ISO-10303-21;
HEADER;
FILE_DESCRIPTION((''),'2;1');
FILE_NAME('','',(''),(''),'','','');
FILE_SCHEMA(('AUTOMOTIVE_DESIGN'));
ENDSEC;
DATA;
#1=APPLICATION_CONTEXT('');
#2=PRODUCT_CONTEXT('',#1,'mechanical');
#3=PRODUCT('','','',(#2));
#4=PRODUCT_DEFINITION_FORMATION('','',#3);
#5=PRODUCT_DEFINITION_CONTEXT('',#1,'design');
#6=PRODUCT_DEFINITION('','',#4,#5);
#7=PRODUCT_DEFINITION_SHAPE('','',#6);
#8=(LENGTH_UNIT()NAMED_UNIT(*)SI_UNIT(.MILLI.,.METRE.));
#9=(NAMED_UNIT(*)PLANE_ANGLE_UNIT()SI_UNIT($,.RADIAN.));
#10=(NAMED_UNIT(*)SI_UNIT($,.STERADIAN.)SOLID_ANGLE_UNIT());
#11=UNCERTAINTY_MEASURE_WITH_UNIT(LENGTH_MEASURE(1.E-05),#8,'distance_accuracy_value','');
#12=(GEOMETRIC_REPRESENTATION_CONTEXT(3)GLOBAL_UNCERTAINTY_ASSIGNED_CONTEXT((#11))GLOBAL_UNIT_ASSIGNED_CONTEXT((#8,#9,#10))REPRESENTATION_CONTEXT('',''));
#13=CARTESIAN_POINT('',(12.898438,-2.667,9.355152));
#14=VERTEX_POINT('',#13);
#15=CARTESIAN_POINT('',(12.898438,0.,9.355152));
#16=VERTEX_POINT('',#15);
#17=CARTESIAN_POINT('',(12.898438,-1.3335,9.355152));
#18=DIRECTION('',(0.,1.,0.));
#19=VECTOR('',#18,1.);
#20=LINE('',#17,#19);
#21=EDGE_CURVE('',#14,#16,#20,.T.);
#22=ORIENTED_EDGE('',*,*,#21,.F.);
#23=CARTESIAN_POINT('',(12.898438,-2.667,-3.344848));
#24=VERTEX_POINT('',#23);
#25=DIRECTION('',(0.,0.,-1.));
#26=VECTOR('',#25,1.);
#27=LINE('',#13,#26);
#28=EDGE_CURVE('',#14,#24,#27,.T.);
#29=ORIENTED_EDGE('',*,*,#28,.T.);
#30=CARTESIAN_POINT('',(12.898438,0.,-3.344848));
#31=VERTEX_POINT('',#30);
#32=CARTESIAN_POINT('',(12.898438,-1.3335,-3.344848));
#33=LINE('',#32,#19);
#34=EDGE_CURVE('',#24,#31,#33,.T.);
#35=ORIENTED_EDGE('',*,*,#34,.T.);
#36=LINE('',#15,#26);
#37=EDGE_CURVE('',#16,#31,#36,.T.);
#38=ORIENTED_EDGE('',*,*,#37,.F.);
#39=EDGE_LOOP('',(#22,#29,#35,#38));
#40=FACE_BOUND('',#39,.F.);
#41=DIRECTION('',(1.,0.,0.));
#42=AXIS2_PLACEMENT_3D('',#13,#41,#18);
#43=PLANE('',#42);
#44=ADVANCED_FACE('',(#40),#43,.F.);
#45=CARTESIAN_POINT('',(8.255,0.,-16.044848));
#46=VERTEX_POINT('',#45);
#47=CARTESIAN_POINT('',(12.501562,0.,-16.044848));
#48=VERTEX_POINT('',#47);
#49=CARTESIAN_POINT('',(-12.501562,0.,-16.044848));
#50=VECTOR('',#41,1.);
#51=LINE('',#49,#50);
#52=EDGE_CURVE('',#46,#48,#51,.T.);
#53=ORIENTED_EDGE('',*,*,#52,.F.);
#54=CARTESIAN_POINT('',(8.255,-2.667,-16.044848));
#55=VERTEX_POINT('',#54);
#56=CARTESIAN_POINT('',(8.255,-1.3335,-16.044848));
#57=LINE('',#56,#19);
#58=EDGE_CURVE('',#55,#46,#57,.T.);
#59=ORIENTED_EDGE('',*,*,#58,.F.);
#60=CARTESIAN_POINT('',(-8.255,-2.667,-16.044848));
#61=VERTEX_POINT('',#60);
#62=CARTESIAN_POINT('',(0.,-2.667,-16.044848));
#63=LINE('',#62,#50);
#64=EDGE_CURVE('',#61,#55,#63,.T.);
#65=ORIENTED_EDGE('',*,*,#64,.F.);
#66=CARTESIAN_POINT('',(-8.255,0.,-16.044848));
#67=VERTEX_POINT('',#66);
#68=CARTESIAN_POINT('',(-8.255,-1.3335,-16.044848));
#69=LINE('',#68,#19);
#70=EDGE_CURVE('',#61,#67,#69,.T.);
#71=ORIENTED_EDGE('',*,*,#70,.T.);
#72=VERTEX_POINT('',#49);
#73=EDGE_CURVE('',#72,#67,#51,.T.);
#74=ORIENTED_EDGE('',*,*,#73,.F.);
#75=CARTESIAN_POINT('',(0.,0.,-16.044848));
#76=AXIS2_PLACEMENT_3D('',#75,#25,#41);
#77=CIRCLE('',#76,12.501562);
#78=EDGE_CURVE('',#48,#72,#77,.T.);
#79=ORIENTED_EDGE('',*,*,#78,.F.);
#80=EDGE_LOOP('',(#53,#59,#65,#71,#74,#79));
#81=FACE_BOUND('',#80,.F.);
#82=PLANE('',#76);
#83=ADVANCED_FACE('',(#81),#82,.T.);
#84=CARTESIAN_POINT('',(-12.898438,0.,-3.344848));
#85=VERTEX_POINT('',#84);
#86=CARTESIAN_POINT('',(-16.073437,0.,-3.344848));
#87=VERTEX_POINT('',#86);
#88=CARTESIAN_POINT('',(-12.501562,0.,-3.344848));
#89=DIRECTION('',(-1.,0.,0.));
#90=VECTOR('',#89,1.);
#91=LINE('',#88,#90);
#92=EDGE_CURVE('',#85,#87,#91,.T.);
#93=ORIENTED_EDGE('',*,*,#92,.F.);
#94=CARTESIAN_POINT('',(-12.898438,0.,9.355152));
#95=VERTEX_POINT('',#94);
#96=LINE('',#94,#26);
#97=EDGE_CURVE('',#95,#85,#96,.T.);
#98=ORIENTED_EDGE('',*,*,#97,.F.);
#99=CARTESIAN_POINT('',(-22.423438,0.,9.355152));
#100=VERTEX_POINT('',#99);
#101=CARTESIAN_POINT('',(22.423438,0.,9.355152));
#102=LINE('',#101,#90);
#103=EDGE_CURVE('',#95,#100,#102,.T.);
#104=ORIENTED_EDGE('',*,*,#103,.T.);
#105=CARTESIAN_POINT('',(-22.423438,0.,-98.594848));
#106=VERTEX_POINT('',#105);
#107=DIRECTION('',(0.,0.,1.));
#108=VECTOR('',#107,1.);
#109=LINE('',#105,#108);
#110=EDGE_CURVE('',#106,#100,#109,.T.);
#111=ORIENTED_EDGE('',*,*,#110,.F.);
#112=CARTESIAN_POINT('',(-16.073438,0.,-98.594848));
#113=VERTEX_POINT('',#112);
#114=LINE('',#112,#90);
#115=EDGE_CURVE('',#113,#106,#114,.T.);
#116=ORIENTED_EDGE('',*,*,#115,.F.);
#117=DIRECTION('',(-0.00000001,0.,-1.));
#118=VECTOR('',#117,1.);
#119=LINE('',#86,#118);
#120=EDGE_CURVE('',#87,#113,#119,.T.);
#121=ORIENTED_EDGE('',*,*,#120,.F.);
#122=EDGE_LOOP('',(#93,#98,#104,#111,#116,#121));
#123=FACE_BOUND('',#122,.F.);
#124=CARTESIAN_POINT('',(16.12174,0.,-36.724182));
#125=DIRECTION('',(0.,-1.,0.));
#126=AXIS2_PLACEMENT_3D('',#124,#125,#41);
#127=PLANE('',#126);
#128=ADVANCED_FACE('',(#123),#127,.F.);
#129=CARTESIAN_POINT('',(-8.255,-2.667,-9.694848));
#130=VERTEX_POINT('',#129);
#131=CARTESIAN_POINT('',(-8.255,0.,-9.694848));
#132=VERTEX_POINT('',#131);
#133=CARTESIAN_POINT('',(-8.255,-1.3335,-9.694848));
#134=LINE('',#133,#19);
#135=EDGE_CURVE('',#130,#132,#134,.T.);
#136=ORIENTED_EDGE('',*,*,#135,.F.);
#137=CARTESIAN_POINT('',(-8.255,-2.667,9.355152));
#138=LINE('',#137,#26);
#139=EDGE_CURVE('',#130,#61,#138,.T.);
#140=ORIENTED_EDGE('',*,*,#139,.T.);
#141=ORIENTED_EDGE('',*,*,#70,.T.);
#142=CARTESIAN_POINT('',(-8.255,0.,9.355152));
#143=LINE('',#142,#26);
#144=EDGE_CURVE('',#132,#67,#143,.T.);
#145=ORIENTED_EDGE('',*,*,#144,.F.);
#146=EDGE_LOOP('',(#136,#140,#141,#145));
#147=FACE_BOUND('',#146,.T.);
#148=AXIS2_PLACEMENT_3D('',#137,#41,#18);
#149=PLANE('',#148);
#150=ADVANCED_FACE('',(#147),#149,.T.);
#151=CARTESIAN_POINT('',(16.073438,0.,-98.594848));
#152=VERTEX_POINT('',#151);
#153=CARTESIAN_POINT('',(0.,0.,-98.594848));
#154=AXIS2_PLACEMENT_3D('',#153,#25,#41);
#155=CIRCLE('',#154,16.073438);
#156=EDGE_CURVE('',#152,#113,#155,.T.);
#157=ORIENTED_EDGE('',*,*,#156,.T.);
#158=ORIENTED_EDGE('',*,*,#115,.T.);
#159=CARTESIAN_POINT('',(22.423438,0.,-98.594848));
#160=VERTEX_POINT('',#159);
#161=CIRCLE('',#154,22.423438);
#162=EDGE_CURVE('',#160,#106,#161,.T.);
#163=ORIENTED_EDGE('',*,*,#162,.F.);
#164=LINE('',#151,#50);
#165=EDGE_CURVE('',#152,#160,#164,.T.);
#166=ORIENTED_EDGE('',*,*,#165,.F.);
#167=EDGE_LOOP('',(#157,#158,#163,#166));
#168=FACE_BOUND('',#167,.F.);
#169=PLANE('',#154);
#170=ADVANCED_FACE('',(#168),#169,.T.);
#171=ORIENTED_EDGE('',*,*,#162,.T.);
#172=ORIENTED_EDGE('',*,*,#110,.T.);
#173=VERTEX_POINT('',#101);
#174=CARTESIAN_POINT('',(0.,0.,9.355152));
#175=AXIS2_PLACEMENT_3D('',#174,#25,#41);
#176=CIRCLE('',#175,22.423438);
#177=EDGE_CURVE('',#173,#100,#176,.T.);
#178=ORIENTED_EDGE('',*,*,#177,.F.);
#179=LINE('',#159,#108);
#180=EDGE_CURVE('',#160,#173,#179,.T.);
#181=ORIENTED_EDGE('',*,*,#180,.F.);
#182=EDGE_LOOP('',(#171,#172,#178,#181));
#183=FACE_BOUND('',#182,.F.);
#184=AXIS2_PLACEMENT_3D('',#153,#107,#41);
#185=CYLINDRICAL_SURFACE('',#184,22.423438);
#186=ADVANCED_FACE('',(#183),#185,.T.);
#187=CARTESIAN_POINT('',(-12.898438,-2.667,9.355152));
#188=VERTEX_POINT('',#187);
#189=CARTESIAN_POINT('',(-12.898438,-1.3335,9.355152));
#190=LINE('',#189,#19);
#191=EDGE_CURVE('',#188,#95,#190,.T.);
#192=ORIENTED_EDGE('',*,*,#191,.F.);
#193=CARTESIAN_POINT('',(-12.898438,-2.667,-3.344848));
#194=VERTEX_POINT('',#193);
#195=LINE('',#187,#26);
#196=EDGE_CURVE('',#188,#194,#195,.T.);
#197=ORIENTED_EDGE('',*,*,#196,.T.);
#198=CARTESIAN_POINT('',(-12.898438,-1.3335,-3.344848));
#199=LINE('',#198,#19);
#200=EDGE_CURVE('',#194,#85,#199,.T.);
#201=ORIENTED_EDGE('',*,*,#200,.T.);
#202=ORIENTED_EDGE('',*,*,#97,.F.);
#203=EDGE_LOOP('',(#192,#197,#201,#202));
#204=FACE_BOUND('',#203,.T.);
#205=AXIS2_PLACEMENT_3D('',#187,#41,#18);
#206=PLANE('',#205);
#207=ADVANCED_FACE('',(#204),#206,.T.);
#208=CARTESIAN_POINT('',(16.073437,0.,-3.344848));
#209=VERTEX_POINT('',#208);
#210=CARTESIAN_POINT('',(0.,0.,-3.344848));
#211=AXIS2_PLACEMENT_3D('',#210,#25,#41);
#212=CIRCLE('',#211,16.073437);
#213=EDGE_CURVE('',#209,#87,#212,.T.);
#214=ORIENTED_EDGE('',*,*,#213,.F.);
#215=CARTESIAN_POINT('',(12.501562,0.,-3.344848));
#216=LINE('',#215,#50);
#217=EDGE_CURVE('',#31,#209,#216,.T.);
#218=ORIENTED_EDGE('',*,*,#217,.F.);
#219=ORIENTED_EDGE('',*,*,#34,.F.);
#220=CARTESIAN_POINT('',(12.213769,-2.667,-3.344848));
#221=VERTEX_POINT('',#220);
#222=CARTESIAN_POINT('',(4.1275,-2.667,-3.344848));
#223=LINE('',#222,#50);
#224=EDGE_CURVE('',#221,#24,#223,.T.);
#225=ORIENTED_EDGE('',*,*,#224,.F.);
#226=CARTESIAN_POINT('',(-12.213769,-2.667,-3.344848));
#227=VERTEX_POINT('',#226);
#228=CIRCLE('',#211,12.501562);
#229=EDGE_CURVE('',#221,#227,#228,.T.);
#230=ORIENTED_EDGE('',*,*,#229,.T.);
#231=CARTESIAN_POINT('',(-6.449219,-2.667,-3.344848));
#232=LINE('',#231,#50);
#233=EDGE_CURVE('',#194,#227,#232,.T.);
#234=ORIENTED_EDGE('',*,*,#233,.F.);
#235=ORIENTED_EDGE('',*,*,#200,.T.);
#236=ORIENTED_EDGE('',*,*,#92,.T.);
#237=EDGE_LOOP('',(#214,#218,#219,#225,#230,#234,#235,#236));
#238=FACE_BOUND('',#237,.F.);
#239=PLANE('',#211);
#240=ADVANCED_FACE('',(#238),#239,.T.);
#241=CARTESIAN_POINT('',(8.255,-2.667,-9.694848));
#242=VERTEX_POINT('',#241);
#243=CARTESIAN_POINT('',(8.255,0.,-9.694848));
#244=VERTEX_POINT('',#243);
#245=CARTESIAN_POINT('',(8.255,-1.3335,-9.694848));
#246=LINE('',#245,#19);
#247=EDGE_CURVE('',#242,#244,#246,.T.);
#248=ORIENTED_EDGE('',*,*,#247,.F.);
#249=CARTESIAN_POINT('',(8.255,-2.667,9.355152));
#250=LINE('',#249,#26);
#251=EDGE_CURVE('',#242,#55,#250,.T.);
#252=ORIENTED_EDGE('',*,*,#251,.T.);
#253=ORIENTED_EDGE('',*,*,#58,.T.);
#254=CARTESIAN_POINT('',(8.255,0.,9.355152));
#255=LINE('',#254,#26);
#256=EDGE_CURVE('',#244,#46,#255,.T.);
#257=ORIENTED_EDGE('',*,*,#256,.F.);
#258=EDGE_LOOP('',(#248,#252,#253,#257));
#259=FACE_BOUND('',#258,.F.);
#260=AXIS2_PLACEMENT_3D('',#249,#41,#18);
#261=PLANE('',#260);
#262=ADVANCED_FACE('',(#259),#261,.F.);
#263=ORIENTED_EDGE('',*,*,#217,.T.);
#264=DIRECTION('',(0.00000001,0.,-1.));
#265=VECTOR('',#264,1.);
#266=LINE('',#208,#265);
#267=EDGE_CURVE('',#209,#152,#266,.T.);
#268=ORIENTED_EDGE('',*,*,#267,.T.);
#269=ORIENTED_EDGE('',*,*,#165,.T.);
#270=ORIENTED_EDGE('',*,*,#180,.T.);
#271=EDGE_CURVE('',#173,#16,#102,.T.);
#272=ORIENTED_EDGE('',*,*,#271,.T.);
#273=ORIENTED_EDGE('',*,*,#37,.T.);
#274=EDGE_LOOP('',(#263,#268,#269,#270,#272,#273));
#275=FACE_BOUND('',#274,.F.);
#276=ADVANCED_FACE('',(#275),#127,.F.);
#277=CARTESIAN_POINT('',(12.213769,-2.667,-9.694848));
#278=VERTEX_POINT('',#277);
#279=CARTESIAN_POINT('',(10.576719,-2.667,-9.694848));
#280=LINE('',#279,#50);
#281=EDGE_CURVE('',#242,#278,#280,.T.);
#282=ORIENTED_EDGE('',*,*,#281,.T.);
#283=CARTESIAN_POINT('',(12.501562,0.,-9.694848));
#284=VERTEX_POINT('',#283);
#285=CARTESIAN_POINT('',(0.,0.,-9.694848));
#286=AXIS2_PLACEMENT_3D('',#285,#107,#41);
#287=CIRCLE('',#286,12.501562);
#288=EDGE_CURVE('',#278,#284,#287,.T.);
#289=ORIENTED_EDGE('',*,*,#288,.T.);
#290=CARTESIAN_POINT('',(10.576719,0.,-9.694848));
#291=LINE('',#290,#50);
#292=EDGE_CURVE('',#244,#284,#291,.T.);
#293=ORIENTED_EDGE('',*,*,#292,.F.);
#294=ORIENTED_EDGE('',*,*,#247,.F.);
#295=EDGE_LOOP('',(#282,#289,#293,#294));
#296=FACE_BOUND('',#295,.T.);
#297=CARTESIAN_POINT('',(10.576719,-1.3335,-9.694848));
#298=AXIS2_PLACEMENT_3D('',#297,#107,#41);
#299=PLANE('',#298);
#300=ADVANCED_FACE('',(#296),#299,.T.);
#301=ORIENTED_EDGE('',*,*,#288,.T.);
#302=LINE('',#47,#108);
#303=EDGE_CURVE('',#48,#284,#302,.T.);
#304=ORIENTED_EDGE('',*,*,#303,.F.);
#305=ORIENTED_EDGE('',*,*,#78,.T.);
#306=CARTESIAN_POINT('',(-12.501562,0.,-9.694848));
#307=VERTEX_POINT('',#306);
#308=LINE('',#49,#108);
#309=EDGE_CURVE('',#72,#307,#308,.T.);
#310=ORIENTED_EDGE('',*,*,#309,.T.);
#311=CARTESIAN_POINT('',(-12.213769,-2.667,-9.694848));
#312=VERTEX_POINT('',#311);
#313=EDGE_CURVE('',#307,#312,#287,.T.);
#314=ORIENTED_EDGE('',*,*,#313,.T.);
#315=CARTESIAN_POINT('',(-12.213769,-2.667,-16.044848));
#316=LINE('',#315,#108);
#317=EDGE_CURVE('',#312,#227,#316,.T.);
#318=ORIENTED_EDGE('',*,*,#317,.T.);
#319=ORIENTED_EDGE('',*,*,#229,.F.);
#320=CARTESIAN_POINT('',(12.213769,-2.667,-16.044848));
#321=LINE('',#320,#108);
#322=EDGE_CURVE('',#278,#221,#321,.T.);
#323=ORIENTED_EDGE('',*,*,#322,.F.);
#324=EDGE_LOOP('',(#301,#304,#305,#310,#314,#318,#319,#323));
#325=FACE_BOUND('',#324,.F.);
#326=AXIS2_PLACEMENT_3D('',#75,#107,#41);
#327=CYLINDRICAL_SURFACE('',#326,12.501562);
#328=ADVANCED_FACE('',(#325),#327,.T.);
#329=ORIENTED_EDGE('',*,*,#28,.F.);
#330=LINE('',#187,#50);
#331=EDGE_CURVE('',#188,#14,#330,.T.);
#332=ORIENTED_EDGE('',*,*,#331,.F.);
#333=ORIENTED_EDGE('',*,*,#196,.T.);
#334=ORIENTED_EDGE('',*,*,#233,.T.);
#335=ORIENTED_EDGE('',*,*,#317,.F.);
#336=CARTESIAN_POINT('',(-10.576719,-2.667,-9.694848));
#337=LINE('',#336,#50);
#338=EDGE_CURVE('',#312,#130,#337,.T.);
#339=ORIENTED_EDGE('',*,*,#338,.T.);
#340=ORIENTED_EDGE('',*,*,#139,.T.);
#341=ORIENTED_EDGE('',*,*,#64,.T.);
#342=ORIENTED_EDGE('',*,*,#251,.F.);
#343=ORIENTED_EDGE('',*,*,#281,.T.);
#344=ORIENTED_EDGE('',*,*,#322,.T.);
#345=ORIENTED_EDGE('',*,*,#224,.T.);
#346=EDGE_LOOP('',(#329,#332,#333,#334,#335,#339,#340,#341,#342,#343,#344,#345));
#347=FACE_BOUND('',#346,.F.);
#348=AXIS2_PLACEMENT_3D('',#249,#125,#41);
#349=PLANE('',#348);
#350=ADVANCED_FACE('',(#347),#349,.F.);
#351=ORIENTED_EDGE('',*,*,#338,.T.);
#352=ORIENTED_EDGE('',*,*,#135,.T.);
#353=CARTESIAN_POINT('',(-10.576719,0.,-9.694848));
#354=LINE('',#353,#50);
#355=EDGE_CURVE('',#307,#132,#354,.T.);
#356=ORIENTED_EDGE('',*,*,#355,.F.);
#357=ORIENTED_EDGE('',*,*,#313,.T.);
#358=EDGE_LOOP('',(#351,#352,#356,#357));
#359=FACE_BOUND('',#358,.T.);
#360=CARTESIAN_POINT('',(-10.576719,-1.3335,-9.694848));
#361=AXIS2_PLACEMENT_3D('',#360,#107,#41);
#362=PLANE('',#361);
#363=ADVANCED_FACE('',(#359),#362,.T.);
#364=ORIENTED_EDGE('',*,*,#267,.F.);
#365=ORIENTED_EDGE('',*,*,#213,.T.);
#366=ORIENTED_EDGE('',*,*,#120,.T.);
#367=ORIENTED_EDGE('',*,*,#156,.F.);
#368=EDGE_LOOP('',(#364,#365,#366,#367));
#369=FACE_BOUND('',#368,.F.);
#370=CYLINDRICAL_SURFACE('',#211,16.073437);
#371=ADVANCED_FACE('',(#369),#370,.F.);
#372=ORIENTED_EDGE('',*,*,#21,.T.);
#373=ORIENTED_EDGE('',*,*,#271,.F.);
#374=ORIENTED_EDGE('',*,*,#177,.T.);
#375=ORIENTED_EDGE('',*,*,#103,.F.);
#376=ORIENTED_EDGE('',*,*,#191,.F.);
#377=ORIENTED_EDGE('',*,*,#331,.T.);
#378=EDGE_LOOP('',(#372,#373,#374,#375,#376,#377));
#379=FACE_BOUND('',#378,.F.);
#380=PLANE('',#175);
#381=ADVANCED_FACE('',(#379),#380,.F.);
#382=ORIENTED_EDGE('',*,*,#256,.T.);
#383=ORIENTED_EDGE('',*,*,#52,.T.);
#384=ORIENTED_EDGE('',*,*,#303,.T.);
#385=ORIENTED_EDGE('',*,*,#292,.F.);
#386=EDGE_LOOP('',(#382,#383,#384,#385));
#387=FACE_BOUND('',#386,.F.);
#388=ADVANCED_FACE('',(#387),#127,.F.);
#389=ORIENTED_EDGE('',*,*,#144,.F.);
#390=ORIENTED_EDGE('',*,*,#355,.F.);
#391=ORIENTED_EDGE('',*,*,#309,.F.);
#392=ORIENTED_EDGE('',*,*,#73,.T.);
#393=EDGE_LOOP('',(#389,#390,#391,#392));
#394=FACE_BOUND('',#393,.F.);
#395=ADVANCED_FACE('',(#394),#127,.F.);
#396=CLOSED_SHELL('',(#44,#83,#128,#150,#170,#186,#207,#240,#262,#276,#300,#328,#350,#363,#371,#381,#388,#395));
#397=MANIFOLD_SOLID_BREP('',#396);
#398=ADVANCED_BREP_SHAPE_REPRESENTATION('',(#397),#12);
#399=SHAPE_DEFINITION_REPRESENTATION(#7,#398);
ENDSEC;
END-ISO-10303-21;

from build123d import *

# Parameters (mm, degrees)
F1_ANGLE = 180
F2_W     = 16.51
F2_H     = 2.667
F3_DEPTH = 25.4
F2_W_2   = 4.643438
F4_DEPTH = 19.05


with BuildPart() as f1:
    # F0 (on Front) → F1 (revolve)
    with BuildSketch(Plane.XZ):
        Polygon((16.073437, -3.344848), (16.073438, -98.594848), (22.423438, -98.594848), (22.423438, 9.355152), (0, 9.355152), (0, -16.044848), (12.501562, -16.044848), (12.501562, -3.344848), align=None)
    revolve(axis=Axis((0, 0, -3.344848), (0, 0, -1)), revolution_arc=F1_ANGLE)

    # F2 (on face) → F3 (cut, through all)
    with BuildSketch(Plane.XY.offset(9.355152)):
        with Locations((0, -1.3335)):
            Rectangle(F2_W, F2_H)
    extrude(amount=-F3_DEPTH, mode=Mode.SUBTRACT)

    # F2 (on face) → F4 (cut)
    with BuildSketch(Plane.XY.offset(9.355152)):
        with Locations((10.576719, -1.3335)):
            Rectangle(F2_W_2, F2_H)
        with Locations((-10.576719, -1.3335)):
            Rectangle(F2_W_2, F2_H)
    extrude(amount=-F4_DEPTH, mode=Mode.SUBTRACT)


solid = f1.part
